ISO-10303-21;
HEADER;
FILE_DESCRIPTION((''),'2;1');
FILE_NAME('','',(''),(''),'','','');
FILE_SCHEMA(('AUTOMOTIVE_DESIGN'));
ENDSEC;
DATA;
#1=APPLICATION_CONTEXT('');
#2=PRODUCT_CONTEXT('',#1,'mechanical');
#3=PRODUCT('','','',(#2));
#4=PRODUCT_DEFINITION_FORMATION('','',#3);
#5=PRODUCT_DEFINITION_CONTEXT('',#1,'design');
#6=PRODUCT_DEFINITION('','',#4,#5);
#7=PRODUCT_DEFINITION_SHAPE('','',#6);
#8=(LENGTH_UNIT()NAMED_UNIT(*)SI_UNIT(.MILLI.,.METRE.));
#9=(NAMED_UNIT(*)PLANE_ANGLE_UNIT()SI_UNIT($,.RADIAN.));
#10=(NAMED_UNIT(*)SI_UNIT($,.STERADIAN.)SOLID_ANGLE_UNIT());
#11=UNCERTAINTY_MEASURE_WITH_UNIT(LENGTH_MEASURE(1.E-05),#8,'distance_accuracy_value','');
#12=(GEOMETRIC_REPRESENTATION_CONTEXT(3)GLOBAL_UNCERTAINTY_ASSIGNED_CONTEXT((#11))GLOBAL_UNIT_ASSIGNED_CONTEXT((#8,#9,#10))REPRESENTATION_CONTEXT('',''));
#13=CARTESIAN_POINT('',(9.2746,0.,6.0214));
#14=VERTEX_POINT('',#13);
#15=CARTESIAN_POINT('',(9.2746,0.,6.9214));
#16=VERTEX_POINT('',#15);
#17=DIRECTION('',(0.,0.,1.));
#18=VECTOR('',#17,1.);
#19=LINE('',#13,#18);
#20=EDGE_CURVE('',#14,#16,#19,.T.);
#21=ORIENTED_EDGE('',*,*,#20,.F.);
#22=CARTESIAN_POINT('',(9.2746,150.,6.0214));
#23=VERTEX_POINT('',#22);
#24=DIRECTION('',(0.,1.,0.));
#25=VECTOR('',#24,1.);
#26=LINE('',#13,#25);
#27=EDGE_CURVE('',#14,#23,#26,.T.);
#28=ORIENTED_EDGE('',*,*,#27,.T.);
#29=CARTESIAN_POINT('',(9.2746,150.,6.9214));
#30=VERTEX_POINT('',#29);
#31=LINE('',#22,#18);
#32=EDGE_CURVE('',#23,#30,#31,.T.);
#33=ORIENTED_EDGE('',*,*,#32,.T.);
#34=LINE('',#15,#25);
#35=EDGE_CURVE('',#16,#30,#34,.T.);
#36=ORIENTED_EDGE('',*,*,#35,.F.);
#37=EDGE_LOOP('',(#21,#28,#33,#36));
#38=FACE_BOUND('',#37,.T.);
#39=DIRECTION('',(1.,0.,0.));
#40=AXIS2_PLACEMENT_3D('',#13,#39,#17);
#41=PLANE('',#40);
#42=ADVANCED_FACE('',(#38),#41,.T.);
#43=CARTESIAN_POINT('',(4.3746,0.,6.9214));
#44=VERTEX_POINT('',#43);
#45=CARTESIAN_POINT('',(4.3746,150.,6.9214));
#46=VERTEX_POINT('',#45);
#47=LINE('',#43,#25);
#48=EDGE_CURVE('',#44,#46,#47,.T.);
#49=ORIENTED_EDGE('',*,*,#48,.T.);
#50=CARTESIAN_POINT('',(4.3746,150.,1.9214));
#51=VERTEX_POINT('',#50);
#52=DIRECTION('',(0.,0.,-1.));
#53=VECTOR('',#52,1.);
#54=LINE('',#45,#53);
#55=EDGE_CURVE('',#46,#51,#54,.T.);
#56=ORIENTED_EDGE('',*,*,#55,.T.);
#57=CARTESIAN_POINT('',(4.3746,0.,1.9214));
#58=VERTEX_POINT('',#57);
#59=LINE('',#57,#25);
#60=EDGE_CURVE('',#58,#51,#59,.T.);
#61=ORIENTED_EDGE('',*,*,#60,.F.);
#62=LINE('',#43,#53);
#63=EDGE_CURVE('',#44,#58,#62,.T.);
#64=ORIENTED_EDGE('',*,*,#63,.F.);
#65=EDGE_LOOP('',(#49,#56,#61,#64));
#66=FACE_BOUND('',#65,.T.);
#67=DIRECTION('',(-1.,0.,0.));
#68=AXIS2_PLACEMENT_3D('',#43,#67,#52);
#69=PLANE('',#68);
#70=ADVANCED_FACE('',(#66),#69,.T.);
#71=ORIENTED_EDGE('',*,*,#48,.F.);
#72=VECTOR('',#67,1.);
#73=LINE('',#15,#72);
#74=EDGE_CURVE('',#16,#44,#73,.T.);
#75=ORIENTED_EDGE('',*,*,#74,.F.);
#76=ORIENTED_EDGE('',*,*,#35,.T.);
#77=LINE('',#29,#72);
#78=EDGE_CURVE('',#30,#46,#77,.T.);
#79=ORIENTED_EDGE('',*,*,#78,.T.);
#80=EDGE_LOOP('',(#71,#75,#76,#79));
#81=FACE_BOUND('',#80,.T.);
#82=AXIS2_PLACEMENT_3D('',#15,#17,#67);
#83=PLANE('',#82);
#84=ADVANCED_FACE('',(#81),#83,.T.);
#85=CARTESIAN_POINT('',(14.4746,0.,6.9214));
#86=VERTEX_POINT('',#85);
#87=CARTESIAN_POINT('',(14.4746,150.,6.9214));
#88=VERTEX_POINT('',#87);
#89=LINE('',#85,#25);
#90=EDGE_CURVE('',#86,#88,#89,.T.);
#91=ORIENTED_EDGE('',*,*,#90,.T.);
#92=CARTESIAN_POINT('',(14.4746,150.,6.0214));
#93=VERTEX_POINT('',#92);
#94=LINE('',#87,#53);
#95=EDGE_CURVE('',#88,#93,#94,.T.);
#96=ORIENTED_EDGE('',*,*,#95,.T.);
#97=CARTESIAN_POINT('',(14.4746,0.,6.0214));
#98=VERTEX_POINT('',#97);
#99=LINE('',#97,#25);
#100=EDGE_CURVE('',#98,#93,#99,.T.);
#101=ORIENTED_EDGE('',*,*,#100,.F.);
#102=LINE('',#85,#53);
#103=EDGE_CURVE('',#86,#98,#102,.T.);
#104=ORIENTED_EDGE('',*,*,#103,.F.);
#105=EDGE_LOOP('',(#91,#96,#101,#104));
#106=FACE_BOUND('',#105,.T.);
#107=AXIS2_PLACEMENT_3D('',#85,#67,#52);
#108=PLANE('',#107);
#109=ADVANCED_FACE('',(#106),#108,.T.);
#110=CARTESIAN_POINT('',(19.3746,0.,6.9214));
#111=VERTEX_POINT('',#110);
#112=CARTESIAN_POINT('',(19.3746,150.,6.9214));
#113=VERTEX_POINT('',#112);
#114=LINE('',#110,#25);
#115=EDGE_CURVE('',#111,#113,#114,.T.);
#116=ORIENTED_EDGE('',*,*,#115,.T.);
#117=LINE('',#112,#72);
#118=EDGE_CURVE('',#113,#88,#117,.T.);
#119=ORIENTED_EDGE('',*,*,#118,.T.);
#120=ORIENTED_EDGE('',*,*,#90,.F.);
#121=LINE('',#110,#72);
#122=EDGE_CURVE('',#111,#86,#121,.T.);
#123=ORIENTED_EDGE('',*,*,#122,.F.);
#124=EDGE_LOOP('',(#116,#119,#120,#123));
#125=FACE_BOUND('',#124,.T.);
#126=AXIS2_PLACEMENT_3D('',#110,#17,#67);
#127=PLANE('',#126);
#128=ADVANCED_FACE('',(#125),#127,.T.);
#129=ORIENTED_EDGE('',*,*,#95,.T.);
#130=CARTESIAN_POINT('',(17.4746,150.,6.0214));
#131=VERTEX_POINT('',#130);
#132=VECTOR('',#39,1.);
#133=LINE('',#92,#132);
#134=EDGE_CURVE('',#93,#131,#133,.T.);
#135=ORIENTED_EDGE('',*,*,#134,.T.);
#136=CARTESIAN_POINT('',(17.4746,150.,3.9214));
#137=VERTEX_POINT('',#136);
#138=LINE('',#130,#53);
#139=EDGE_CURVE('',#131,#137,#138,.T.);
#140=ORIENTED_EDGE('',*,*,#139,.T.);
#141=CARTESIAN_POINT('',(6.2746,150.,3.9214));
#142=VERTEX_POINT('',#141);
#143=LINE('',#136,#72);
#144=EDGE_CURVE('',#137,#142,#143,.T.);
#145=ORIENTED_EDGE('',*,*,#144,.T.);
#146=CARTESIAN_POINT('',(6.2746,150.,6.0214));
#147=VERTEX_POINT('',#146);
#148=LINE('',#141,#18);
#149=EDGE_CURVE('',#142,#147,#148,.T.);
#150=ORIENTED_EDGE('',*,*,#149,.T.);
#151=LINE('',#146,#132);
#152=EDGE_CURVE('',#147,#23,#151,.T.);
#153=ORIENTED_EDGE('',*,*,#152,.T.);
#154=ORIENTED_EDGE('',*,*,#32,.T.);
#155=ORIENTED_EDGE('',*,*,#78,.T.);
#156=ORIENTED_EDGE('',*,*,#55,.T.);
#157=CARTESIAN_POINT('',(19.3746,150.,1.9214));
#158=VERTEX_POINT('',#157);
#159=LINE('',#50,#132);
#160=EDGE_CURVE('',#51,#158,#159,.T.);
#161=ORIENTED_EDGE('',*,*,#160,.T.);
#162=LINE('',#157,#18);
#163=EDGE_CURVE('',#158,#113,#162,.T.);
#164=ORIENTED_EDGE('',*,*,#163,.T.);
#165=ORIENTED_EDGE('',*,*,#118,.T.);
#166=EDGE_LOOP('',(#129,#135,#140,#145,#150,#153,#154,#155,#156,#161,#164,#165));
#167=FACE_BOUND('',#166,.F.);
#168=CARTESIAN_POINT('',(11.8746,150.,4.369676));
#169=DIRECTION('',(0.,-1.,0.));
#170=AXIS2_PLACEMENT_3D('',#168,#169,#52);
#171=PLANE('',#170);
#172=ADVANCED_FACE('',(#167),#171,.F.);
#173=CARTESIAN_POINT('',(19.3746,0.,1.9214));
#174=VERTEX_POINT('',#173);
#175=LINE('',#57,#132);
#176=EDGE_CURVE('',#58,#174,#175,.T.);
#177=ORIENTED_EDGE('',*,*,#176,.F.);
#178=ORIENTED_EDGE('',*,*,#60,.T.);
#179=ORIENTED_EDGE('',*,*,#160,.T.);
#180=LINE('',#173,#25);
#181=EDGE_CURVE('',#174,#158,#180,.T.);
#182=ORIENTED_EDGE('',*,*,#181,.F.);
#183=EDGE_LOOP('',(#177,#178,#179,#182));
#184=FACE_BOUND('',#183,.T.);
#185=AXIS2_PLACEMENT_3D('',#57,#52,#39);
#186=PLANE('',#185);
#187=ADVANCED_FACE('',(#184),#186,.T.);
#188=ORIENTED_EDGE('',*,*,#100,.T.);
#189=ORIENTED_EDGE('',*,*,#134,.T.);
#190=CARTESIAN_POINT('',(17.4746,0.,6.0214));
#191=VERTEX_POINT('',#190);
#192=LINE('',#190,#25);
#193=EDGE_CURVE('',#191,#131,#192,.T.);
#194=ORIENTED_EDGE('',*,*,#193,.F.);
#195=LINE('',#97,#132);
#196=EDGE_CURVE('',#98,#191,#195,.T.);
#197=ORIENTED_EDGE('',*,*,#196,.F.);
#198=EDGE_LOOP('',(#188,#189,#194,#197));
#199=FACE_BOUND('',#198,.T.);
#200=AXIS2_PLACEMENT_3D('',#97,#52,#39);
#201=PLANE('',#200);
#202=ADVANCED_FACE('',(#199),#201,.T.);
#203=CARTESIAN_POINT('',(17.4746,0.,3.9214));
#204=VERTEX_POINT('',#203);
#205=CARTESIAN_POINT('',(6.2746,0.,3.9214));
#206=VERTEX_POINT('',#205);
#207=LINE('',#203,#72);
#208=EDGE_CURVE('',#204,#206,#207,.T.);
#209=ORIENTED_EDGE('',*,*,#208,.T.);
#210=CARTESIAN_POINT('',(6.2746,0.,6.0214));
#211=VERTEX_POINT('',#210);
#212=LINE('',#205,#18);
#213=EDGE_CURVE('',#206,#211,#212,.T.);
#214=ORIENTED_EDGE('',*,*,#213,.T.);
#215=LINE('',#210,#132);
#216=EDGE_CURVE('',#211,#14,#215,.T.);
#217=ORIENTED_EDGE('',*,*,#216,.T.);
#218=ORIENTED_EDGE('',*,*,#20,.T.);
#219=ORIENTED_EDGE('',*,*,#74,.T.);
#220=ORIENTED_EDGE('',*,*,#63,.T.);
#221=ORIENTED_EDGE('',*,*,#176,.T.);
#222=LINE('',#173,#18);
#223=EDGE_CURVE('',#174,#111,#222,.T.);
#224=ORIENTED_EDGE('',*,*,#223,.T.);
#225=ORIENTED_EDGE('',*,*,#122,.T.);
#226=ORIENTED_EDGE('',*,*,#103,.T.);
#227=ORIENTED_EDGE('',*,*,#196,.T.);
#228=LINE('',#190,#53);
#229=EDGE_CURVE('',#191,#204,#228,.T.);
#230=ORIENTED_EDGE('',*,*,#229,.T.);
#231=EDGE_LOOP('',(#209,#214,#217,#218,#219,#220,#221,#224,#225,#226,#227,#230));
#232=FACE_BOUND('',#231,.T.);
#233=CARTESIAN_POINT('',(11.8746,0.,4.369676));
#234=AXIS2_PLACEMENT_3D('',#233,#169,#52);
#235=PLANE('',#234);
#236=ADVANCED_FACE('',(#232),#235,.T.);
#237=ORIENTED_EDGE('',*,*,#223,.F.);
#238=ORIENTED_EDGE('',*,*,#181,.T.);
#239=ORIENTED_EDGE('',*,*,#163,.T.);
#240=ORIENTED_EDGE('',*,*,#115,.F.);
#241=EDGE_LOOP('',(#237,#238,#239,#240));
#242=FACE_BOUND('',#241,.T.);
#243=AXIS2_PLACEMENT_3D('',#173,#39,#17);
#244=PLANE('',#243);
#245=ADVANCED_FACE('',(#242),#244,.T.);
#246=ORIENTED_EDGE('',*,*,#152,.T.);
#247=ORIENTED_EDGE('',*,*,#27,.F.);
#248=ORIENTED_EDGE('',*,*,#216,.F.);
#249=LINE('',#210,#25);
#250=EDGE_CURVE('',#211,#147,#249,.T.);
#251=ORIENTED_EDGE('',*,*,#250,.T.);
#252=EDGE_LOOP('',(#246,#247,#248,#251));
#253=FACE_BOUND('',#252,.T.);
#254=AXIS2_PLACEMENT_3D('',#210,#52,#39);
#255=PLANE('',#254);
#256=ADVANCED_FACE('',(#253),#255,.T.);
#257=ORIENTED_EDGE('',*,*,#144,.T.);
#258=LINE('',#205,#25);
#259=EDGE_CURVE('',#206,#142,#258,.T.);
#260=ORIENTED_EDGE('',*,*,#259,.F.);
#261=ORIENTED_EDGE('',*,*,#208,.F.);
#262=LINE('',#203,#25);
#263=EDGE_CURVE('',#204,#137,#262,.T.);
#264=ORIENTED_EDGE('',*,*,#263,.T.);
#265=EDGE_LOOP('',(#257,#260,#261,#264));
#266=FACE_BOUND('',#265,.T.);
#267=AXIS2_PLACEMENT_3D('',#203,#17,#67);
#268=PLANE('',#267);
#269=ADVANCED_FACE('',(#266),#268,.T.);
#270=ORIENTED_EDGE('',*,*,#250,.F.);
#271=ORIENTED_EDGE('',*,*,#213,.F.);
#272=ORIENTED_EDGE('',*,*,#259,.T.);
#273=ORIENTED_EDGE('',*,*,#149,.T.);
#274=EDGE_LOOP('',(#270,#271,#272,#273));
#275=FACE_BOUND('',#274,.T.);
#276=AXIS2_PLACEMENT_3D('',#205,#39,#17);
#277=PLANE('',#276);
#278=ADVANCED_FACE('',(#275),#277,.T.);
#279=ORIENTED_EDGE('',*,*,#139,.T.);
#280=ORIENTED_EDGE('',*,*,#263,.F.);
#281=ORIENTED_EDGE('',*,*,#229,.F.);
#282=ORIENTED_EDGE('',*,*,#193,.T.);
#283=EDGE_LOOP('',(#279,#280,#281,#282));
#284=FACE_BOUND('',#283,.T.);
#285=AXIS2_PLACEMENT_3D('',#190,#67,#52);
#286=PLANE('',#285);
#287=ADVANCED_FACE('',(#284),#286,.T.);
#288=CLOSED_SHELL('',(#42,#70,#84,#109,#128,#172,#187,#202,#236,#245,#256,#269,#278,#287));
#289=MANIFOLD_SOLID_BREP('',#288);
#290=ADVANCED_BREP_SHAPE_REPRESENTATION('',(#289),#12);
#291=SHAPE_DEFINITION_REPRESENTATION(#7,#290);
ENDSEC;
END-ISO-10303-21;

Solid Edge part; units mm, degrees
sketch "Sketch1" plane through (0, 0, 0) normal (0, -1, 0) x (1, 0, 0)
  line L0 (4.3746, 1.9214) -> (19.3746, 1.9214)
  line L1 (19.3746, 1.9214) -> (19.3746, 6.9214)
  line L2 (19.3746, 6.9214) -> (14.4746, 6.9214)
  line L3 (14.4746, 6.9214) -> (14.4746, 6.0214)
  line L4 (14.4746, 6.0214) -> (17.4746, 6.0214)
  line L5 (17.4746, 6.0214) -> (17.4746, 3.9214)
  line L6 (17.4746, 3.9214) -> (6.2746, 3.9214)
  line L7 (6.2746, 3.9214) -> (6.2746, 6.0214)
  line L8 (6.2746, 6.0214) -> (9.2746, 6.0214)
  line L9 (9.2746, 6.0214) -> (9.2746, 6.9214)
  line L10 (9.2746, 6.9214) -> (4.3746, 6.9214)
  line L11 (4.3746, 6.9214) -> (4.3746, 1.9214)
  dimension "D1" = 15
  dimension "D2" = 4.9
  dimension "D3" = 4.9
  dimension "D4" = 1.9
  dimension "D5" = 1.9
  dimension "D6" = 2
  dimension "D7" = 2.1
extrude "Protrusion1" add sketch "Sketch1" against normal blind 150
